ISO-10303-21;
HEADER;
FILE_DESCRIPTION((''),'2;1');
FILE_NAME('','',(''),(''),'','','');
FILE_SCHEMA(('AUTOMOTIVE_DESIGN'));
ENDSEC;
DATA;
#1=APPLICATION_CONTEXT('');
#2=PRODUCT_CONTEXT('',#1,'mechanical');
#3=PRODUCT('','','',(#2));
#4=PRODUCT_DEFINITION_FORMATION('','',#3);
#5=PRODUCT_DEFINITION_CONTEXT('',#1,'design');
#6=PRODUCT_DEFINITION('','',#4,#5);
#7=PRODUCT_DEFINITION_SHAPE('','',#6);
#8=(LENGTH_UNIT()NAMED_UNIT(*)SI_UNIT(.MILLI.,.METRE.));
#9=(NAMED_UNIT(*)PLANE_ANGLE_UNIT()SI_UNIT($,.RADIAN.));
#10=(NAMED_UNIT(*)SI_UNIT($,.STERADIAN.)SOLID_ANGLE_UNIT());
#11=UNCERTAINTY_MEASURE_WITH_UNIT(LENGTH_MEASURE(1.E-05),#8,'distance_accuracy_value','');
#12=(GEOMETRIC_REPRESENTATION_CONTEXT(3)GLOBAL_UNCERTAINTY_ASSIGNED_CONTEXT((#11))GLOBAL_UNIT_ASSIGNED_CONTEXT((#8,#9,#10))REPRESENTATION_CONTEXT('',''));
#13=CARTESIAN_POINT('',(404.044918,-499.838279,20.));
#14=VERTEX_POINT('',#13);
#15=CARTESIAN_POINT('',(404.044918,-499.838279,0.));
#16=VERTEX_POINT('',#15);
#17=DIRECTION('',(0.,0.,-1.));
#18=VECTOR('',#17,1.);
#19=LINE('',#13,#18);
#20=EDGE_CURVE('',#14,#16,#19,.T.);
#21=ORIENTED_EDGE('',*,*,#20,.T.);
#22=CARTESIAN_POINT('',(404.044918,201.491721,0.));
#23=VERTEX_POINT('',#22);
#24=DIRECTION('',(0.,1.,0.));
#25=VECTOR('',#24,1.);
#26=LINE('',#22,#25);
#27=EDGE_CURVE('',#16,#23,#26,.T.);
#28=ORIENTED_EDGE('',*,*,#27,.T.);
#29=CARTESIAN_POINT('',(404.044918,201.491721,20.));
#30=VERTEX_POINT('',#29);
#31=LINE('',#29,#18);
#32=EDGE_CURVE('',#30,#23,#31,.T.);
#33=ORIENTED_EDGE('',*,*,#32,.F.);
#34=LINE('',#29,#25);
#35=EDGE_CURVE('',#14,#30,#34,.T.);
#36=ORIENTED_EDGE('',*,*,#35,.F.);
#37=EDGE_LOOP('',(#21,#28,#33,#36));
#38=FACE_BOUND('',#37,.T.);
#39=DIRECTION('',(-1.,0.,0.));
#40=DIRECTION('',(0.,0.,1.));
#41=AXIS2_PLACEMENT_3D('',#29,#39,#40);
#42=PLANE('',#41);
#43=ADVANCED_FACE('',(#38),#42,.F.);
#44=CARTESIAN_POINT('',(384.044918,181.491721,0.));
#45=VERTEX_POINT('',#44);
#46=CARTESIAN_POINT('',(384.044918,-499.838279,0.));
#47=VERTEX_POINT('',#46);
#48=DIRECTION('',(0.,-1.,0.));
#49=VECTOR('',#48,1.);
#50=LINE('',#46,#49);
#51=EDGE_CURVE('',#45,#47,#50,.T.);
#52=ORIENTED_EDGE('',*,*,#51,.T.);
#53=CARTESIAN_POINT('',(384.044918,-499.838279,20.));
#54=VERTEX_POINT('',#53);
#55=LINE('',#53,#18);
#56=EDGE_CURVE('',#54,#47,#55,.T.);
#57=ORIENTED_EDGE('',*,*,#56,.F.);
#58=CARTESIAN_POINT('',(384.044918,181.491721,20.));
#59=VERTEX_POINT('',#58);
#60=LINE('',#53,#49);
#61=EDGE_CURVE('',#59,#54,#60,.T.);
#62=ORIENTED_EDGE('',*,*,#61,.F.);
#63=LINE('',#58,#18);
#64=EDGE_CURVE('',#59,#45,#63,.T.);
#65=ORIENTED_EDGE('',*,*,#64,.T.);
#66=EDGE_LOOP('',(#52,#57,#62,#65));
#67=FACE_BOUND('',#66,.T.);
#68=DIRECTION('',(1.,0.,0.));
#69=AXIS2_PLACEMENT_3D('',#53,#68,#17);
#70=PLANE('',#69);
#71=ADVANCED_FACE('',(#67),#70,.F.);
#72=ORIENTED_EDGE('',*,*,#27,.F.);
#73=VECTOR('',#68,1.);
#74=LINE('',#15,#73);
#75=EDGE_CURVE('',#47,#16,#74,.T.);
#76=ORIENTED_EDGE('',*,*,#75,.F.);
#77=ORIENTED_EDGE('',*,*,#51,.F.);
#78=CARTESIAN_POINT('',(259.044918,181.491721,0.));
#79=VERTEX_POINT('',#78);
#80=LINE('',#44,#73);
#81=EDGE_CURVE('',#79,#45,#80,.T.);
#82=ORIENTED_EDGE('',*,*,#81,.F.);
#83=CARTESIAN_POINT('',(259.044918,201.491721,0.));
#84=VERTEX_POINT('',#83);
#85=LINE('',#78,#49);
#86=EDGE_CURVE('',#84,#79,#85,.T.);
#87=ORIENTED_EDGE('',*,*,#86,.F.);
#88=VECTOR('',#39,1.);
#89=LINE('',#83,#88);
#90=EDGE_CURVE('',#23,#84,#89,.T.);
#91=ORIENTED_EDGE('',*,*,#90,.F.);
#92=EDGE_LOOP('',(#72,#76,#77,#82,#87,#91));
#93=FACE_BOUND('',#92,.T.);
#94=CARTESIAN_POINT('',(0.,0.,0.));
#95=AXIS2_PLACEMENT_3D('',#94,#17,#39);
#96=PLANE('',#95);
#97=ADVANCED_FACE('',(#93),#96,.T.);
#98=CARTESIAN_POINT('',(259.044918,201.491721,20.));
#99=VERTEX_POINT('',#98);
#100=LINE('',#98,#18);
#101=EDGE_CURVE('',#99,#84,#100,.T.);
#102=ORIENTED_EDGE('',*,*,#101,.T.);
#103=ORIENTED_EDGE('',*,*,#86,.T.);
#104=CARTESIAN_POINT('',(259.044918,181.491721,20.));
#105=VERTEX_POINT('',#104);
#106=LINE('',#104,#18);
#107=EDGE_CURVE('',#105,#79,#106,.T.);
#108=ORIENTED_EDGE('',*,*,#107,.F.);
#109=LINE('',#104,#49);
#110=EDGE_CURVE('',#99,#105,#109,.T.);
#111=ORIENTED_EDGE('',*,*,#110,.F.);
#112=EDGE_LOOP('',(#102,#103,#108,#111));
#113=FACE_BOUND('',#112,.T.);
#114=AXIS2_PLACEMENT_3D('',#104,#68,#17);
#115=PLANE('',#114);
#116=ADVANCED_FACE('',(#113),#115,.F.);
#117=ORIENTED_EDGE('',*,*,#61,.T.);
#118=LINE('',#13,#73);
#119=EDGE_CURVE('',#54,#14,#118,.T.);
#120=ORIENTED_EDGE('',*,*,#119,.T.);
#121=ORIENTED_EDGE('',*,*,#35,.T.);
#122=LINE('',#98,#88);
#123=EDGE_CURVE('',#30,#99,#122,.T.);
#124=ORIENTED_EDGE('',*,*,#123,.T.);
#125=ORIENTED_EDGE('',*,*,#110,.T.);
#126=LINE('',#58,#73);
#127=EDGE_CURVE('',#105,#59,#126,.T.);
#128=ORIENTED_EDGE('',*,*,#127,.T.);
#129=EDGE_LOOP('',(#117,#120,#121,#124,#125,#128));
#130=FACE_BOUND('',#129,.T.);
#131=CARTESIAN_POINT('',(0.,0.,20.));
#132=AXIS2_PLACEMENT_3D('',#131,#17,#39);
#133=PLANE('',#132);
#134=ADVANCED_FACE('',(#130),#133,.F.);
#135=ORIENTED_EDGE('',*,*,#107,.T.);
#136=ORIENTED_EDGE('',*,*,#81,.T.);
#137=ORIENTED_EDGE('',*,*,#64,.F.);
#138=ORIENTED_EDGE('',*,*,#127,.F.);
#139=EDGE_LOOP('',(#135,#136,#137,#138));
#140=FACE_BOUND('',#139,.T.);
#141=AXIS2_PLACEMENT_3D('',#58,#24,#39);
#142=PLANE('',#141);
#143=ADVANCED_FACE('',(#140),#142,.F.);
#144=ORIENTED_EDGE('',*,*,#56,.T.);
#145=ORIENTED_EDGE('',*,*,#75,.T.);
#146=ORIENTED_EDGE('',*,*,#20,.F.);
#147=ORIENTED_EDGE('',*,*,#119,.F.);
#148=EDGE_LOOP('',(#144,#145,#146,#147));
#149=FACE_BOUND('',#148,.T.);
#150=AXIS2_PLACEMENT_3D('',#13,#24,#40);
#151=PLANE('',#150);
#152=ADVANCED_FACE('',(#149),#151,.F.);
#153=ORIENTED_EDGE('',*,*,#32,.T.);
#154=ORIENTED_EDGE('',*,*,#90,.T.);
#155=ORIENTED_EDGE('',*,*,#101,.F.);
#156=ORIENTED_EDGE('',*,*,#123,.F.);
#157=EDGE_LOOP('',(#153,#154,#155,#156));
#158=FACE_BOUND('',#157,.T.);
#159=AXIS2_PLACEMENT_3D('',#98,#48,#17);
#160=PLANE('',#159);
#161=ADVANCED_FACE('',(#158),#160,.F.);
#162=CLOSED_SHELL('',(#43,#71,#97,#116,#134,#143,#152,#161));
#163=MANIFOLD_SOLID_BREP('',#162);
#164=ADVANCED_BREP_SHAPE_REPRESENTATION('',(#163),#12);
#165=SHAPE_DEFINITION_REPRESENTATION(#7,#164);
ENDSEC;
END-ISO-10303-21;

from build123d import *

# Parameters (mm, degrees)
BOSS_EXTRUDE1_DEPTH = 20


with BuildPart() as part:
    # Sketch1 → Boss-Extrude1 (new body)
    with BuildSketch(Plane.XY):
        Polygon((259.044918033, 201.491721311), (404.044918033, 201.491721311), (404.044918033, -499.838278689), (384.044918033, -499.838278689), (384.044918033, 181.491721311), (259.044918033, 181.491721311), align=None)
    extrude(amount=BOSS_EXTRUDE1_DEPTH)


solid = part.part
